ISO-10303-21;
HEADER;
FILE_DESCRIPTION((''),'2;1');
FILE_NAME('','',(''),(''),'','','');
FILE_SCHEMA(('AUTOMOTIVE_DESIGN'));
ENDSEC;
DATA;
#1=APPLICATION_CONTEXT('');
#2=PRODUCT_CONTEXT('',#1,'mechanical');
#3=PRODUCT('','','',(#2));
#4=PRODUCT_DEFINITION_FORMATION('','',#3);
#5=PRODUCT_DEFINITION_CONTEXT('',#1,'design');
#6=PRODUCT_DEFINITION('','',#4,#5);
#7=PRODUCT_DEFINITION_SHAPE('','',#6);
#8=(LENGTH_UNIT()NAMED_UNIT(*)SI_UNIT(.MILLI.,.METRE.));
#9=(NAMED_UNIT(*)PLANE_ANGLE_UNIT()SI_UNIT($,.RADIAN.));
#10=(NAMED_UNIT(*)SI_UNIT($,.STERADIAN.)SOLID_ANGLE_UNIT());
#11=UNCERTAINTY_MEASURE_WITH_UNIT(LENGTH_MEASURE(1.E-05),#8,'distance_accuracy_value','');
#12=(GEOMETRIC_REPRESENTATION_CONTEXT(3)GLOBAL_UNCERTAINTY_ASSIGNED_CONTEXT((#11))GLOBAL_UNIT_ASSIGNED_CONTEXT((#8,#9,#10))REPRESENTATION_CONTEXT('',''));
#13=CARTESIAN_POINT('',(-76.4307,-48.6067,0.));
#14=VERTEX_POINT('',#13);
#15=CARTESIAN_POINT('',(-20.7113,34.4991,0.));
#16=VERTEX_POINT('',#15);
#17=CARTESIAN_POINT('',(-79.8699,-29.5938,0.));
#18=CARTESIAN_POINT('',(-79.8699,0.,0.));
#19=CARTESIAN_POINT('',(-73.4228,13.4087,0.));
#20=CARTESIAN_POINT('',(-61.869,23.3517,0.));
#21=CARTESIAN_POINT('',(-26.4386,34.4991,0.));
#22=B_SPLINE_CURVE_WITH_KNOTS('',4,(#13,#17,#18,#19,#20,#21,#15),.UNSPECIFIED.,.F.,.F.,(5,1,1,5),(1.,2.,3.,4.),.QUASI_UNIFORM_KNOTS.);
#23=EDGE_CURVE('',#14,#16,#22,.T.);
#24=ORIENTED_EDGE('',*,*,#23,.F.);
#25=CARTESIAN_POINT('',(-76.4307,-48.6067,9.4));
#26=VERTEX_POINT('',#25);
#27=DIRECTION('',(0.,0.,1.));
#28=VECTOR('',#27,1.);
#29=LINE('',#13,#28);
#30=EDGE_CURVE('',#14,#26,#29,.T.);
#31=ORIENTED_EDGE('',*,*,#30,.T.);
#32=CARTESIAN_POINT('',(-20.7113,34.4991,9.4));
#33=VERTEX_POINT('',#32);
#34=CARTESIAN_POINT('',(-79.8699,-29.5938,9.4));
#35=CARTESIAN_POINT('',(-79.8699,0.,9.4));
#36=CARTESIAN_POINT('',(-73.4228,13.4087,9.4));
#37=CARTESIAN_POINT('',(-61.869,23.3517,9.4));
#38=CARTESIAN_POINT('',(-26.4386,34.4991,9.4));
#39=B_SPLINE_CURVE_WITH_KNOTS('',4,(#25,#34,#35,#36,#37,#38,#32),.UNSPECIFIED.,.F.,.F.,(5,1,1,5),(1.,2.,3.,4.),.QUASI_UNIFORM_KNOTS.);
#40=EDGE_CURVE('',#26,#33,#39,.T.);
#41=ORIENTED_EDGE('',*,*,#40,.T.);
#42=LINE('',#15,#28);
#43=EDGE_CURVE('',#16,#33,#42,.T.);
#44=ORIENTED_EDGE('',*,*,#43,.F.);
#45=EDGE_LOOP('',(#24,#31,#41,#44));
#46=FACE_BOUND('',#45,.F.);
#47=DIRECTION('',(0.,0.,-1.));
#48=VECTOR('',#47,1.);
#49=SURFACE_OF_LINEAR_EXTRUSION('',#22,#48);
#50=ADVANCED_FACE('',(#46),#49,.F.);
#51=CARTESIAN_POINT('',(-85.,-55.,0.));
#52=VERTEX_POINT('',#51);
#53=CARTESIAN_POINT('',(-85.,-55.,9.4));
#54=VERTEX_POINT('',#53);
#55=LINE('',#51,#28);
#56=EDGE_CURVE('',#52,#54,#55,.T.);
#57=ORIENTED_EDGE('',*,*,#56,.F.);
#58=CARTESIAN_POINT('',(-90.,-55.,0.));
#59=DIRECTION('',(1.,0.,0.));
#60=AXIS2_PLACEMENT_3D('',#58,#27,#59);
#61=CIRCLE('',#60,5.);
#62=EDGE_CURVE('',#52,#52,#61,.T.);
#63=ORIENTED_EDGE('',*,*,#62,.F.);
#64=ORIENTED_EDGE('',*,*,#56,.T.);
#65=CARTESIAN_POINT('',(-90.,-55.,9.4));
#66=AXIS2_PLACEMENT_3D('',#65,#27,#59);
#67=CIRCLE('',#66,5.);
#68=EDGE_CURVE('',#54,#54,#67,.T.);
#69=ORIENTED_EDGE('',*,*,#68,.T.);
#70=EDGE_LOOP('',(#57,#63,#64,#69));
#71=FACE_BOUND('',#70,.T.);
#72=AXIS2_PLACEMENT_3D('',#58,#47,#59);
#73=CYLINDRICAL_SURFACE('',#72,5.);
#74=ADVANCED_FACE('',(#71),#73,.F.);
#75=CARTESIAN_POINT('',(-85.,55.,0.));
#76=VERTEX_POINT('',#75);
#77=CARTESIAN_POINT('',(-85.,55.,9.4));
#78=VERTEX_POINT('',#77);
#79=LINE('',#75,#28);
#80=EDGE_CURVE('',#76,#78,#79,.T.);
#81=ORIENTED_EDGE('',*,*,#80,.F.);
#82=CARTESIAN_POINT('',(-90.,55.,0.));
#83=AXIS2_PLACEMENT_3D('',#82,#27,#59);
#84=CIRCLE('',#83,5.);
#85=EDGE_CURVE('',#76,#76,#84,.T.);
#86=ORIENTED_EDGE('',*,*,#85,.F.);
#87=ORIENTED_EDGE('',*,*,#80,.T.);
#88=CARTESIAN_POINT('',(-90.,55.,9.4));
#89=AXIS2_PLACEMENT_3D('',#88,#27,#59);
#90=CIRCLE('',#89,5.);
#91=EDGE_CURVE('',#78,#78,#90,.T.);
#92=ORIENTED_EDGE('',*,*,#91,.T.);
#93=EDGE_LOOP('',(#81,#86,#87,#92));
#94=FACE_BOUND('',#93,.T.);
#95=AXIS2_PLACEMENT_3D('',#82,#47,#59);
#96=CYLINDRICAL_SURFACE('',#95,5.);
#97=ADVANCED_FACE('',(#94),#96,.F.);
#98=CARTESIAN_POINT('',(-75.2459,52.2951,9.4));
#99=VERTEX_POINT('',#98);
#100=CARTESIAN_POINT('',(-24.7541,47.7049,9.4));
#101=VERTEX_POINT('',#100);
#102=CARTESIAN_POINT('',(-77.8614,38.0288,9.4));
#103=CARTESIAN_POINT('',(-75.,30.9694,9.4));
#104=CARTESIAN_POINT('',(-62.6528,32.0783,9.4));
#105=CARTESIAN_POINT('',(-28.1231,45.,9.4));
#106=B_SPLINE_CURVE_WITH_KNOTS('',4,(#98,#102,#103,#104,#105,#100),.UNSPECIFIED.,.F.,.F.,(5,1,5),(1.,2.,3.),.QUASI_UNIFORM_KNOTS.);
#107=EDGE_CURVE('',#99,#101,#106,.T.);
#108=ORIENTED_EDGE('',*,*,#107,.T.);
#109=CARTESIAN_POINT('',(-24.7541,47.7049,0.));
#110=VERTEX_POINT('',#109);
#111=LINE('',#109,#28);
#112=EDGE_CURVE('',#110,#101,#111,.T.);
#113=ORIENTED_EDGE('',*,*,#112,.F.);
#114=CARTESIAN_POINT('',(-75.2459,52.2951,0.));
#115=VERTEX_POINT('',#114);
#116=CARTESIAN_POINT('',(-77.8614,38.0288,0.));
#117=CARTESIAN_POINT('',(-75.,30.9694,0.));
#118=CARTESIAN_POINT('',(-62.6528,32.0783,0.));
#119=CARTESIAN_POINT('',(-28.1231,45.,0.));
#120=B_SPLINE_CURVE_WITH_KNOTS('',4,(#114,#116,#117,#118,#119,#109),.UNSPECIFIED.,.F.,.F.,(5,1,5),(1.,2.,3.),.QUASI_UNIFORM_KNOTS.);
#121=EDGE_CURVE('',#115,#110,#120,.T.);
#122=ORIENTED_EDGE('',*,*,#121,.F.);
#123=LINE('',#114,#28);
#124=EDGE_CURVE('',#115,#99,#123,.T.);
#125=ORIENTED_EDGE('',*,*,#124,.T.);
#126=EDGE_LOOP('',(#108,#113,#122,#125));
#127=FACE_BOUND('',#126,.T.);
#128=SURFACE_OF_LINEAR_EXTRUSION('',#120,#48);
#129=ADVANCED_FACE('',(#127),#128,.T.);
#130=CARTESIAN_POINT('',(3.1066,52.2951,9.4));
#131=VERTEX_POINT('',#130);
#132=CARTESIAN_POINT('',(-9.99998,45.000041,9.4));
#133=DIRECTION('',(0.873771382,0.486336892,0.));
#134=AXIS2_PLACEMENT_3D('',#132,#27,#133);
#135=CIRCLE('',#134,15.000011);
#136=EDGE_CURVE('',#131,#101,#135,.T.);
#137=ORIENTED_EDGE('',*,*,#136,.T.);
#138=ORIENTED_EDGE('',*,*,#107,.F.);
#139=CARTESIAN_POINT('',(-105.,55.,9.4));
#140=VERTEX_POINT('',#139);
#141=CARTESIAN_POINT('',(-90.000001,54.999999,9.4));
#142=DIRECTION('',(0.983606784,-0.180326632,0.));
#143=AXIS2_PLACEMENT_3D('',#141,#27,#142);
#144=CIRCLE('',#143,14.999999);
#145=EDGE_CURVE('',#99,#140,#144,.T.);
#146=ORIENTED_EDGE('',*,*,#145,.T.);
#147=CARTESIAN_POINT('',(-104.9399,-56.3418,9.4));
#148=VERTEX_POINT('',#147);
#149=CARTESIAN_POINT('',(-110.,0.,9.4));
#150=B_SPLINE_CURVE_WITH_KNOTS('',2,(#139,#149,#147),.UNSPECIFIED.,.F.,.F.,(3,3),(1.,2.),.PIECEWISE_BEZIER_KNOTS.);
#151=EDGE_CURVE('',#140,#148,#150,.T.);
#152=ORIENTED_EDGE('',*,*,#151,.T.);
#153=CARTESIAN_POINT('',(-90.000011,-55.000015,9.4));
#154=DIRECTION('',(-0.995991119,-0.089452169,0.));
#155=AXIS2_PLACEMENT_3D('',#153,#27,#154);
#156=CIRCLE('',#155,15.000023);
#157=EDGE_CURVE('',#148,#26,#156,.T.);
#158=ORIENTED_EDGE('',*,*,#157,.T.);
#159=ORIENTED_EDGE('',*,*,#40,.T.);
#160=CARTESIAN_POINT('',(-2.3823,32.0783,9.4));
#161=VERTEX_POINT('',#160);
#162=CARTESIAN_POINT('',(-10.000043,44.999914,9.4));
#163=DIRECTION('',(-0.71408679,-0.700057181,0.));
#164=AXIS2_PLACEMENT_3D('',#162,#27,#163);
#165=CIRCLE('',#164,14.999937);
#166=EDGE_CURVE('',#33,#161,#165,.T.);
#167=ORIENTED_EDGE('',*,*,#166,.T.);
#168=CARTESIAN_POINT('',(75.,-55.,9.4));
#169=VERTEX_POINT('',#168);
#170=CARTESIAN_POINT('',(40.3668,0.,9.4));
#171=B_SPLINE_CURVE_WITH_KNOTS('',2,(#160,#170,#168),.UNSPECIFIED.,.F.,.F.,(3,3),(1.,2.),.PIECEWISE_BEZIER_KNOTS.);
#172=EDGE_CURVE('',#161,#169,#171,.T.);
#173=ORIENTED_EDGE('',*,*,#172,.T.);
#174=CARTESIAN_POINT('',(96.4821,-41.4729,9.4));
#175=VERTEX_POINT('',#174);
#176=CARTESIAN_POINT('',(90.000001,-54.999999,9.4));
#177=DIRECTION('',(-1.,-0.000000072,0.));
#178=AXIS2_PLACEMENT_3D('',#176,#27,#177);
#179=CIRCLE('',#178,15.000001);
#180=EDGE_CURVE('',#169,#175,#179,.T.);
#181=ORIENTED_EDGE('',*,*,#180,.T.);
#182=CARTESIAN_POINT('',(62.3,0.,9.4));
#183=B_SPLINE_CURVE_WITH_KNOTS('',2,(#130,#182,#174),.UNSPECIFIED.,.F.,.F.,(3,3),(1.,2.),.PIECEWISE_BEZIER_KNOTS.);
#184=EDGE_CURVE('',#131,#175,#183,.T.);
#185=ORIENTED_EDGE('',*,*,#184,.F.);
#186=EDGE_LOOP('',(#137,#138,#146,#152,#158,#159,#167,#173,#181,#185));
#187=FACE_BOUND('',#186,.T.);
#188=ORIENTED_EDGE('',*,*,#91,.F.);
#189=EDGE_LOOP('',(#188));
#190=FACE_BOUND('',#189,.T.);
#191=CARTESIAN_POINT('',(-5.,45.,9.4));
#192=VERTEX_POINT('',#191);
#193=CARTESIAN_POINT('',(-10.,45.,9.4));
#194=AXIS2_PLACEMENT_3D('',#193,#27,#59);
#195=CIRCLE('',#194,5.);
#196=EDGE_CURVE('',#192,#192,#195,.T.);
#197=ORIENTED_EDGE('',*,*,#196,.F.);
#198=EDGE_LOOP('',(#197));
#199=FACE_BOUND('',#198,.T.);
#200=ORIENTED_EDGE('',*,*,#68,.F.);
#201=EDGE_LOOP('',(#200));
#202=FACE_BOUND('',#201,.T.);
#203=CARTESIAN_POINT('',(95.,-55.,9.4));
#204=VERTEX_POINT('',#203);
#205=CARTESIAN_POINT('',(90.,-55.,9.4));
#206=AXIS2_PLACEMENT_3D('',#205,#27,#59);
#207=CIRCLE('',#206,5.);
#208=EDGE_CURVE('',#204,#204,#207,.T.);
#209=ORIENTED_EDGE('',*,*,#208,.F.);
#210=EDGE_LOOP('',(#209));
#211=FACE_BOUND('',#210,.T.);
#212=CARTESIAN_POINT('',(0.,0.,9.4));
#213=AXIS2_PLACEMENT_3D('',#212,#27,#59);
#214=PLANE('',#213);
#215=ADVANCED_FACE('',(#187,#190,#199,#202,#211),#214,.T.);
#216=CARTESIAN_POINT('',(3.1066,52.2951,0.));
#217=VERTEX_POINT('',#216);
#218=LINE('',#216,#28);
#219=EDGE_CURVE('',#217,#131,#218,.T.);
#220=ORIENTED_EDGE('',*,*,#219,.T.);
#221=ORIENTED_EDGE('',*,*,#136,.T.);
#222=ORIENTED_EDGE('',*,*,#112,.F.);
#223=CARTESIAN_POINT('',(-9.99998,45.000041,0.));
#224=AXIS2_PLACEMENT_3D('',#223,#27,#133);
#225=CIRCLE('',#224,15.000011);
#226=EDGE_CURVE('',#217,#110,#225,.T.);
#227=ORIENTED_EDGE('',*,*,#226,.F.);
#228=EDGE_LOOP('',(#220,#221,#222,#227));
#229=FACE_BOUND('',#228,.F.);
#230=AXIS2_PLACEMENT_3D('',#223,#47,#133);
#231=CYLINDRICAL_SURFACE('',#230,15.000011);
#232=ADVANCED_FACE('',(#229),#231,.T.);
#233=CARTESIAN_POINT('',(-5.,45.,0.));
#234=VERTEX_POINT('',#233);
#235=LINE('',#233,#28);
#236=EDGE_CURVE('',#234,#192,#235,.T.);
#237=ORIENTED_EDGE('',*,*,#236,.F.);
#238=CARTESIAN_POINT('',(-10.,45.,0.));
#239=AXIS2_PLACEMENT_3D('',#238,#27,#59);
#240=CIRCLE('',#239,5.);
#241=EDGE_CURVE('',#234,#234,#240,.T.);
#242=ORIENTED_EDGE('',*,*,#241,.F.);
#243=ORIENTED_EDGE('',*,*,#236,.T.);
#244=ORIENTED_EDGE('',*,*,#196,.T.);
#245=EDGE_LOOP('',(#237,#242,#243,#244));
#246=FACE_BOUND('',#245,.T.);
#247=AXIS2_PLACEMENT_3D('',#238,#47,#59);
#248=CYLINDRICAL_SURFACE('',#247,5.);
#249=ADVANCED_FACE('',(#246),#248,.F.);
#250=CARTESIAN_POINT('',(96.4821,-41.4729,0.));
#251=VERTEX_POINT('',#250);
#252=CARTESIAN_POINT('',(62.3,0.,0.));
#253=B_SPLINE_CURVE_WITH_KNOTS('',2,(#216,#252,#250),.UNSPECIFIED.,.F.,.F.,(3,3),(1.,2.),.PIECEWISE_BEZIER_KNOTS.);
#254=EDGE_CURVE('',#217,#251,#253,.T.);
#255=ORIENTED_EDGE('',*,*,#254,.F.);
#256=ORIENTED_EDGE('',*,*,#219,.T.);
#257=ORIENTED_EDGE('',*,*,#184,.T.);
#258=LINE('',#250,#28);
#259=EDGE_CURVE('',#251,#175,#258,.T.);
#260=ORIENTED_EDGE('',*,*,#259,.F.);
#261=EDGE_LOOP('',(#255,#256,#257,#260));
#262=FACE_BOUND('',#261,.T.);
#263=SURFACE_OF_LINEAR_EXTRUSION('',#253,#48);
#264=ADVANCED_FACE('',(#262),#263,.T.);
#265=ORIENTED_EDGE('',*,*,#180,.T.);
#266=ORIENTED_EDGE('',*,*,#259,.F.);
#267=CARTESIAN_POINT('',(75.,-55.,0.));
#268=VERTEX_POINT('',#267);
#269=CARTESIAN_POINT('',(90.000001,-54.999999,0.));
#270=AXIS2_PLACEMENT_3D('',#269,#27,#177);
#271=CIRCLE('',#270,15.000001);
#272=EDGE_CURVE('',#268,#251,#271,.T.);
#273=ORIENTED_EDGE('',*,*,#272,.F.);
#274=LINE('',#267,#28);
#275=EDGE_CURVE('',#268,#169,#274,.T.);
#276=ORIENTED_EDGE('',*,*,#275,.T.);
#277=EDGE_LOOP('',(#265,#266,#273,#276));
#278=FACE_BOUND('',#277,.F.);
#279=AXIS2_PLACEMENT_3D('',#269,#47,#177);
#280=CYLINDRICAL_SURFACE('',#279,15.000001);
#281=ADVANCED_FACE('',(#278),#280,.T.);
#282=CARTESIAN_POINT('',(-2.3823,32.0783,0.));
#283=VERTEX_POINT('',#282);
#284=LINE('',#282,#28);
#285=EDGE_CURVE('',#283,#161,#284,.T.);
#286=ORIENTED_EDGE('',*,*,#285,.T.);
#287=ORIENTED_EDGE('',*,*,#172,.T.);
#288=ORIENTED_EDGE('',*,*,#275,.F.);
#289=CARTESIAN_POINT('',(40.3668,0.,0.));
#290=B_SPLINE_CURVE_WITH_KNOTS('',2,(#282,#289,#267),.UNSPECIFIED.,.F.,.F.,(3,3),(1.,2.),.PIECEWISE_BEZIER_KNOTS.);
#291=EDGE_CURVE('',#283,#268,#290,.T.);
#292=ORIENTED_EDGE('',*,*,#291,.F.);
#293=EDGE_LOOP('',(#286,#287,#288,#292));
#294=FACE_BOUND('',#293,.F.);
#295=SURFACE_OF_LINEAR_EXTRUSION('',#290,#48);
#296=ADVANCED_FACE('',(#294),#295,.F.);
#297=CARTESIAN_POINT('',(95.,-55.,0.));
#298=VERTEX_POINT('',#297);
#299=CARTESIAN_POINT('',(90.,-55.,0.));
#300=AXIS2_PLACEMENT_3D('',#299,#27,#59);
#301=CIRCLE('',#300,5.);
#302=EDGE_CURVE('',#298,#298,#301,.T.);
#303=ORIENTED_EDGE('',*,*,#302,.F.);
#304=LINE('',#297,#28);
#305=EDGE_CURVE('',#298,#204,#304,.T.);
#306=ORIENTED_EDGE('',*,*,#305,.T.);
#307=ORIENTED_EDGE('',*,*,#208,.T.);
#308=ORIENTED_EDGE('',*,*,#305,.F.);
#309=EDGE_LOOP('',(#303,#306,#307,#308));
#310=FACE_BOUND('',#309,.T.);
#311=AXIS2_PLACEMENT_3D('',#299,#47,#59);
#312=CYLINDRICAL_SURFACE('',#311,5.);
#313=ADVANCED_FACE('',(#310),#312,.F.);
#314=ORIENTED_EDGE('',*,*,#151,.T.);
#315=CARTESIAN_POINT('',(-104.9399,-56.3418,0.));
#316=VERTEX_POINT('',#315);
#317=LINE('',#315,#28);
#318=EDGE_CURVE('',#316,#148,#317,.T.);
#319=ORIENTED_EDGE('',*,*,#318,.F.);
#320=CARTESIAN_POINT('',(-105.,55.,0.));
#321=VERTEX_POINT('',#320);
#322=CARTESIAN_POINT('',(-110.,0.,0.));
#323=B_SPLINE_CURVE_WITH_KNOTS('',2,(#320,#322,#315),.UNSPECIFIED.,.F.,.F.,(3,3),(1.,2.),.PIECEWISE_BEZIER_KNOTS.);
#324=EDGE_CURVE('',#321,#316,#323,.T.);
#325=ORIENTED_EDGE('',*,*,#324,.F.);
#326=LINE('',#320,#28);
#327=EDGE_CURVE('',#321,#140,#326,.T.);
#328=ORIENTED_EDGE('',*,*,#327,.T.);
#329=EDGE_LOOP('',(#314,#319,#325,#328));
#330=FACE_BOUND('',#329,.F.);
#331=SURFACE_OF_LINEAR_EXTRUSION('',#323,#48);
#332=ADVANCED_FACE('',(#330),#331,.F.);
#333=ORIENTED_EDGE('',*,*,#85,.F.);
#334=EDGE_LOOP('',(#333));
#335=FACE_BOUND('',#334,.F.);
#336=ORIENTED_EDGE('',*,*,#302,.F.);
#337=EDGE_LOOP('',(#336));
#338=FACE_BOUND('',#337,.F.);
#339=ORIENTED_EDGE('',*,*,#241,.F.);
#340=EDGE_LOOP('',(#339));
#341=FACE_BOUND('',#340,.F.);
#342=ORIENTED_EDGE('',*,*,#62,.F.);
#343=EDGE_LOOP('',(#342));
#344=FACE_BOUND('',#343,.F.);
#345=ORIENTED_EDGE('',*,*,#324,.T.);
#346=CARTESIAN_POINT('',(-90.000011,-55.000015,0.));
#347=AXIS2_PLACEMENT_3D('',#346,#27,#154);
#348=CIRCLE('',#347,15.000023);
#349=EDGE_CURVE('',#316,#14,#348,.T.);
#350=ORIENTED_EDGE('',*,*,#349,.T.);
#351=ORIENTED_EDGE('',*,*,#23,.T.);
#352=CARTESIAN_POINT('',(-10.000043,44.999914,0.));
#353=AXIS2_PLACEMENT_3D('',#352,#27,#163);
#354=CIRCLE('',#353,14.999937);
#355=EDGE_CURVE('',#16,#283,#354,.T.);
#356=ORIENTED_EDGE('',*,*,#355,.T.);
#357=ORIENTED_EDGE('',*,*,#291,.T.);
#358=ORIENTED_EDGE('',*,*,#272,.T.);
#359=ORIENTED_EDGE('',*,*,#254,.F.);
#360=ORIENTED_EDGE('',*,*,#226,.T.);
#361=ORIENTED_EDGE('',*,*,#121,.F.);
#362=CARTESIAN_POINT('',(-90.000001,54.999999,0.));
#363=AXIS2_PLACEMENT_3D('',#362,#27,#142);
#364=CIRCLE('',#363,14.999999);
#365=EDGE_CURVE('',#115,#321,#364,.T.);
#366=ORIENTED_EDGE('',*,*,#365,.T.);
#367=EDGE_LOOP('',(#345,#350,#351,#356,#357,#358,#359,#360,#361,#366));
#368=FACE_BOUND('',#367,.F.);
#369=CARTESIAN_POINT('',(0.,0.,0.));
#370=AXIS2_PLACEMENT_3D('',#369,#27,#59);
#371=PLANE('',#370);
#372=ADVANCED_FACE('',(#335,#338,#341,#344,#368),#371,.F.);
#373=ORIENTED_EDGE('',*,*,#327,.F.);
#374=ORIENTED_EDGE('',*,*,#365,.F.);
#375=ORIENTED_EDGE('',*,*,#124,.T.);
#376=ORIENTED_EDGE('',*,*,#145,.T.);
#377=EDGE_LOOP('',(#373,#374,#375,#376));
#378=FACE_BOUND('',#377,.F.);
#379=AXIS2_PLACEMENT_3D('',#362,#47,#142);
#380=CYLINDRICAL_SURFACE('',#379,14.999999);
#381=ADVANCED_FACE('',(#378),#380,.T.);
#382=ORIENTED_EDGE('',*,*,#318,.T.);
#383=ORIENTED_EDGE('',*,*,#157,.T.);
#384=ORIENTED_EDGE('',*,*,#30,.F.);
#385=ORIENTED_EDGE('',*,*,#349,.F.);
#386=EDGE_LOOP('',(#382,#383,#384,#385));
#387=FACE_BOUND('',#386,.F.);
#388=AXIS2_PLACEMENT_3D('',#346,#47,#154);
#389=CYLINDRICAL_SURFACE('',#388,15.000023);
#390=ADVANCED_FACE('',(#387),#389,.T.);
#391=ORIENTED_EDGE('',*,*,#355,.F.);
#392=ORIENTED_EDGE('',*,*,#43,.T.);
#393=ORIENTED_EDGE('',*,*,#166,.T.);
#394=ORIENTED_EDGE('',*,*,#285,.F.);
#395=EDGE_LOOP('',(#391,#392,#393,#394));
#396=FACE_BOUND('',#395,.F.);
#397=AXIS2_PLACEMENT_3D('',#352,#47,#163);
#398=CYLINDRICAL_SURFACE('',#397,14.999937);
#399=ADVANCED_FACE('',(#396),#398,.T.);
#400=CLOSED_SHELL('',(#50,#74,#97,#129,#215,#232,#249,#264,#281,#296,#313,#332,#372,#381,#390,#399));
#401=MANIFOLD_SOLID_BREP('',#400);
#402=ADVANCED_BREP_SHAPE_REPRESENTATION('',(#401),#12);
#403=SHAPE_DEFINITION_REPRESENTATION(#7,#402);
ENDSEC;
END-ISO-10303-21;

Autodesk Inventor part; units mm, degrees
ref_plane "YZ Plane" through (0, 0, 0) normal (1, 0, 0) x (0, 1, 0)
ref_plane "XZ Plane" through (0, 0, 0) normal (0, 1, 0) x (-1, 0, 0)
ref_plane "XY Plane" through (0, 0, 0) normal (0, 0, 1) x (1, 0, 0)
sketch "Sketch1" plane through (0, 0, 0) normal (0, 0, 1) x (1, 0, 0)
  line L0 (-110, 70) -> (110, 70) construction
  line L1 (110, 70) -> (110, -70) construction
  line L2 (110, -70) -> (-110, -70) construction
  line L3 (-110, -70) -> (-110, 70) construction
  circle A0 centre (-90, 55) radius 5
  circle A1 centre (-90, -55) radius 5
  circle A2 centre (90, -55) radius 5
  circle A3 centre (-10, 45) radius 5
  line L4 (-67, 0) -> (-42, 0) construction
  line L5 (-42, 0) -> (-42, -30) construction
  line L6 (-42, -30) -> (-67, -30) construction
  line L7 (-67, -30) -> (-67, 0) construction
  circle A4 centre (-54.5, -11) radius 10 construction
  circle A5 centre (-63.5044, -24.4163) radius 3 construction
  circle A6 centre (-57.3559, -26.4695) radius 3 construction
  circle A7 centre (-51.263, -24.6531) radius 3 construction
  circle A8 centre (-45.3418, -26.5938) radius 3 construction
  arc A9 (-75.2459, 52.2951) -> (-105, 55) centre (-90, 55) ccw
  arc A10 (-104.9399, -56.3418) -> (-76.4307, -48.6067) centre (-90, -55) ccw
  arc A11 (75, -55) -> (96.4821, -41.4729) centre (90, -55) ccw
  line L8 (-105, 55) -> (-110, 0) construction
  line L9 (-110, 0) -> (-104.9399, -56.3418) construction
  spline S0 degree 2 poles (-105, 55) (-110, 0) (-104.9399, -56.3418) knots 1 1 1 2 2 2
  line L10 (-75.2459, 52.2951) -> (-77.8614, 38.0288) construction
  line L11 (-77.8614, 38.0288) -> (-75, 30.9694) construction
  line L12 (-75, 30.9694) -> (-62.6528, 32.0783) construction
  line L13 (-62.6528, 32.0783) -> (-28.1231, 45) construction
  line L14 (-28.1231, 45) -> (-24.7541, 47.7049) construction
  spline S1 degree 4 poles (-75.2459, 52.2951) (-77.8614, 38.0288) (-75, 30.9694) (-62.6528, 32.0783) (-28.1231, 45) (-24.7541, 47.7049) knots 1 1 1 1 1 2 3 3 3 3 3
  line L15 (-76.4307, -48.6067) -> (-79.8699, -29.5938) construction
  line L16 (-79.8699, -29.5938) -> (-79.8699, 0) construction
  line L17 (-79.8699, 0) -> (-73.4228, 13.4087) construction
  line L18 (-73.4228, 13.4087) -> (-61.869, 23.3517) construction
  line L19 (-61.869, 23.3517) -> (-26.4386, 34.4991) construction
  line L20 (-26.4386, 34.4991) -> (-20.7113, 34.4991) construction
  spline S2 degree 4 poles (-76.4307, -48.6067) (-79.8699, -29.5938) (-79.8699, 0) (-73.4228, 13.4087) (-61.869, 23.3517) (-26.4386, 34.4991) (-20.7113, 34.4991) knots 1 1 1 1 1 2 3 4 4 4 4 4
  line L21 (-2.3823, 32.0783) -> (40.3668, 0) construction
  line L22 (40.3668, 0) -> (75, -55) construction
  spline S3 degree 2 poles (-2.3823, 32.0783) (40.3668, 0) (75, -55) knots 1 1 1 2 2 2
  line L23 (3.1066, 52.2951) -> (62.3, 0) construction
  line L24 (62.3, 0) -> (96.4821, -41.4729) construction
  spline S4 degree 2 poles (3.1066, 52.2951) (62.3, 0) (96.4821, -41.4729) knots 1 1 1 2 2 2
  arc A12 (-20.7113, 34.4991) -> (-2.3823, 32.0783) centre (-10, 45) ccw
  arc A13 (3.1066, 52.2951) -> (-24.7541, 47.7049) centre (-10, 45) ccw
  point P0 (0, 0)
  dimension "d1" = 70
  dimension "d2" = 70
  dimension "d3" = 110
  dimension "d4" = 110
  dimension "d5" = 10
  dimension "d6" = 10
  dimension "d7" = 10
  dimension "d8" = 10
  dimension "d9" = 55
  dimension "d10" = 55
  dimension "d11" = 55
  dimension "d12" = 180
  dimension "d13" = 90
  dimension "d14" = 90
  dimension "d15" = 10
  dimension "d16" = 45
  dimension "d17" = 42
  dimension "d18" = 30
  dimension "d19" = 0
  dimension "d20" = 25
  dimension "d21" = 20
  dimension "d22" = 6
  dimension "d23" = 6
  dimension "d24" = 6
  dimension "d25" = 11
  dimension "d26" = 12.5
  dimension "d27" = 6
  dimension "d42" = 30
  dimension "d43" = 30
extrude "Extrusion3" add sketch "Sketch1" along normal blind 9.4
equation "\"d1\" = d2"
equation "\"d4\" = d3"
equation "\"d10\" = d9"
equation "\"d11\" = d9"
equation "\"d14\" = d13"
equation "\"d26\" = 0.5 * d20"
properties part number "Bracket Concept MK4"
